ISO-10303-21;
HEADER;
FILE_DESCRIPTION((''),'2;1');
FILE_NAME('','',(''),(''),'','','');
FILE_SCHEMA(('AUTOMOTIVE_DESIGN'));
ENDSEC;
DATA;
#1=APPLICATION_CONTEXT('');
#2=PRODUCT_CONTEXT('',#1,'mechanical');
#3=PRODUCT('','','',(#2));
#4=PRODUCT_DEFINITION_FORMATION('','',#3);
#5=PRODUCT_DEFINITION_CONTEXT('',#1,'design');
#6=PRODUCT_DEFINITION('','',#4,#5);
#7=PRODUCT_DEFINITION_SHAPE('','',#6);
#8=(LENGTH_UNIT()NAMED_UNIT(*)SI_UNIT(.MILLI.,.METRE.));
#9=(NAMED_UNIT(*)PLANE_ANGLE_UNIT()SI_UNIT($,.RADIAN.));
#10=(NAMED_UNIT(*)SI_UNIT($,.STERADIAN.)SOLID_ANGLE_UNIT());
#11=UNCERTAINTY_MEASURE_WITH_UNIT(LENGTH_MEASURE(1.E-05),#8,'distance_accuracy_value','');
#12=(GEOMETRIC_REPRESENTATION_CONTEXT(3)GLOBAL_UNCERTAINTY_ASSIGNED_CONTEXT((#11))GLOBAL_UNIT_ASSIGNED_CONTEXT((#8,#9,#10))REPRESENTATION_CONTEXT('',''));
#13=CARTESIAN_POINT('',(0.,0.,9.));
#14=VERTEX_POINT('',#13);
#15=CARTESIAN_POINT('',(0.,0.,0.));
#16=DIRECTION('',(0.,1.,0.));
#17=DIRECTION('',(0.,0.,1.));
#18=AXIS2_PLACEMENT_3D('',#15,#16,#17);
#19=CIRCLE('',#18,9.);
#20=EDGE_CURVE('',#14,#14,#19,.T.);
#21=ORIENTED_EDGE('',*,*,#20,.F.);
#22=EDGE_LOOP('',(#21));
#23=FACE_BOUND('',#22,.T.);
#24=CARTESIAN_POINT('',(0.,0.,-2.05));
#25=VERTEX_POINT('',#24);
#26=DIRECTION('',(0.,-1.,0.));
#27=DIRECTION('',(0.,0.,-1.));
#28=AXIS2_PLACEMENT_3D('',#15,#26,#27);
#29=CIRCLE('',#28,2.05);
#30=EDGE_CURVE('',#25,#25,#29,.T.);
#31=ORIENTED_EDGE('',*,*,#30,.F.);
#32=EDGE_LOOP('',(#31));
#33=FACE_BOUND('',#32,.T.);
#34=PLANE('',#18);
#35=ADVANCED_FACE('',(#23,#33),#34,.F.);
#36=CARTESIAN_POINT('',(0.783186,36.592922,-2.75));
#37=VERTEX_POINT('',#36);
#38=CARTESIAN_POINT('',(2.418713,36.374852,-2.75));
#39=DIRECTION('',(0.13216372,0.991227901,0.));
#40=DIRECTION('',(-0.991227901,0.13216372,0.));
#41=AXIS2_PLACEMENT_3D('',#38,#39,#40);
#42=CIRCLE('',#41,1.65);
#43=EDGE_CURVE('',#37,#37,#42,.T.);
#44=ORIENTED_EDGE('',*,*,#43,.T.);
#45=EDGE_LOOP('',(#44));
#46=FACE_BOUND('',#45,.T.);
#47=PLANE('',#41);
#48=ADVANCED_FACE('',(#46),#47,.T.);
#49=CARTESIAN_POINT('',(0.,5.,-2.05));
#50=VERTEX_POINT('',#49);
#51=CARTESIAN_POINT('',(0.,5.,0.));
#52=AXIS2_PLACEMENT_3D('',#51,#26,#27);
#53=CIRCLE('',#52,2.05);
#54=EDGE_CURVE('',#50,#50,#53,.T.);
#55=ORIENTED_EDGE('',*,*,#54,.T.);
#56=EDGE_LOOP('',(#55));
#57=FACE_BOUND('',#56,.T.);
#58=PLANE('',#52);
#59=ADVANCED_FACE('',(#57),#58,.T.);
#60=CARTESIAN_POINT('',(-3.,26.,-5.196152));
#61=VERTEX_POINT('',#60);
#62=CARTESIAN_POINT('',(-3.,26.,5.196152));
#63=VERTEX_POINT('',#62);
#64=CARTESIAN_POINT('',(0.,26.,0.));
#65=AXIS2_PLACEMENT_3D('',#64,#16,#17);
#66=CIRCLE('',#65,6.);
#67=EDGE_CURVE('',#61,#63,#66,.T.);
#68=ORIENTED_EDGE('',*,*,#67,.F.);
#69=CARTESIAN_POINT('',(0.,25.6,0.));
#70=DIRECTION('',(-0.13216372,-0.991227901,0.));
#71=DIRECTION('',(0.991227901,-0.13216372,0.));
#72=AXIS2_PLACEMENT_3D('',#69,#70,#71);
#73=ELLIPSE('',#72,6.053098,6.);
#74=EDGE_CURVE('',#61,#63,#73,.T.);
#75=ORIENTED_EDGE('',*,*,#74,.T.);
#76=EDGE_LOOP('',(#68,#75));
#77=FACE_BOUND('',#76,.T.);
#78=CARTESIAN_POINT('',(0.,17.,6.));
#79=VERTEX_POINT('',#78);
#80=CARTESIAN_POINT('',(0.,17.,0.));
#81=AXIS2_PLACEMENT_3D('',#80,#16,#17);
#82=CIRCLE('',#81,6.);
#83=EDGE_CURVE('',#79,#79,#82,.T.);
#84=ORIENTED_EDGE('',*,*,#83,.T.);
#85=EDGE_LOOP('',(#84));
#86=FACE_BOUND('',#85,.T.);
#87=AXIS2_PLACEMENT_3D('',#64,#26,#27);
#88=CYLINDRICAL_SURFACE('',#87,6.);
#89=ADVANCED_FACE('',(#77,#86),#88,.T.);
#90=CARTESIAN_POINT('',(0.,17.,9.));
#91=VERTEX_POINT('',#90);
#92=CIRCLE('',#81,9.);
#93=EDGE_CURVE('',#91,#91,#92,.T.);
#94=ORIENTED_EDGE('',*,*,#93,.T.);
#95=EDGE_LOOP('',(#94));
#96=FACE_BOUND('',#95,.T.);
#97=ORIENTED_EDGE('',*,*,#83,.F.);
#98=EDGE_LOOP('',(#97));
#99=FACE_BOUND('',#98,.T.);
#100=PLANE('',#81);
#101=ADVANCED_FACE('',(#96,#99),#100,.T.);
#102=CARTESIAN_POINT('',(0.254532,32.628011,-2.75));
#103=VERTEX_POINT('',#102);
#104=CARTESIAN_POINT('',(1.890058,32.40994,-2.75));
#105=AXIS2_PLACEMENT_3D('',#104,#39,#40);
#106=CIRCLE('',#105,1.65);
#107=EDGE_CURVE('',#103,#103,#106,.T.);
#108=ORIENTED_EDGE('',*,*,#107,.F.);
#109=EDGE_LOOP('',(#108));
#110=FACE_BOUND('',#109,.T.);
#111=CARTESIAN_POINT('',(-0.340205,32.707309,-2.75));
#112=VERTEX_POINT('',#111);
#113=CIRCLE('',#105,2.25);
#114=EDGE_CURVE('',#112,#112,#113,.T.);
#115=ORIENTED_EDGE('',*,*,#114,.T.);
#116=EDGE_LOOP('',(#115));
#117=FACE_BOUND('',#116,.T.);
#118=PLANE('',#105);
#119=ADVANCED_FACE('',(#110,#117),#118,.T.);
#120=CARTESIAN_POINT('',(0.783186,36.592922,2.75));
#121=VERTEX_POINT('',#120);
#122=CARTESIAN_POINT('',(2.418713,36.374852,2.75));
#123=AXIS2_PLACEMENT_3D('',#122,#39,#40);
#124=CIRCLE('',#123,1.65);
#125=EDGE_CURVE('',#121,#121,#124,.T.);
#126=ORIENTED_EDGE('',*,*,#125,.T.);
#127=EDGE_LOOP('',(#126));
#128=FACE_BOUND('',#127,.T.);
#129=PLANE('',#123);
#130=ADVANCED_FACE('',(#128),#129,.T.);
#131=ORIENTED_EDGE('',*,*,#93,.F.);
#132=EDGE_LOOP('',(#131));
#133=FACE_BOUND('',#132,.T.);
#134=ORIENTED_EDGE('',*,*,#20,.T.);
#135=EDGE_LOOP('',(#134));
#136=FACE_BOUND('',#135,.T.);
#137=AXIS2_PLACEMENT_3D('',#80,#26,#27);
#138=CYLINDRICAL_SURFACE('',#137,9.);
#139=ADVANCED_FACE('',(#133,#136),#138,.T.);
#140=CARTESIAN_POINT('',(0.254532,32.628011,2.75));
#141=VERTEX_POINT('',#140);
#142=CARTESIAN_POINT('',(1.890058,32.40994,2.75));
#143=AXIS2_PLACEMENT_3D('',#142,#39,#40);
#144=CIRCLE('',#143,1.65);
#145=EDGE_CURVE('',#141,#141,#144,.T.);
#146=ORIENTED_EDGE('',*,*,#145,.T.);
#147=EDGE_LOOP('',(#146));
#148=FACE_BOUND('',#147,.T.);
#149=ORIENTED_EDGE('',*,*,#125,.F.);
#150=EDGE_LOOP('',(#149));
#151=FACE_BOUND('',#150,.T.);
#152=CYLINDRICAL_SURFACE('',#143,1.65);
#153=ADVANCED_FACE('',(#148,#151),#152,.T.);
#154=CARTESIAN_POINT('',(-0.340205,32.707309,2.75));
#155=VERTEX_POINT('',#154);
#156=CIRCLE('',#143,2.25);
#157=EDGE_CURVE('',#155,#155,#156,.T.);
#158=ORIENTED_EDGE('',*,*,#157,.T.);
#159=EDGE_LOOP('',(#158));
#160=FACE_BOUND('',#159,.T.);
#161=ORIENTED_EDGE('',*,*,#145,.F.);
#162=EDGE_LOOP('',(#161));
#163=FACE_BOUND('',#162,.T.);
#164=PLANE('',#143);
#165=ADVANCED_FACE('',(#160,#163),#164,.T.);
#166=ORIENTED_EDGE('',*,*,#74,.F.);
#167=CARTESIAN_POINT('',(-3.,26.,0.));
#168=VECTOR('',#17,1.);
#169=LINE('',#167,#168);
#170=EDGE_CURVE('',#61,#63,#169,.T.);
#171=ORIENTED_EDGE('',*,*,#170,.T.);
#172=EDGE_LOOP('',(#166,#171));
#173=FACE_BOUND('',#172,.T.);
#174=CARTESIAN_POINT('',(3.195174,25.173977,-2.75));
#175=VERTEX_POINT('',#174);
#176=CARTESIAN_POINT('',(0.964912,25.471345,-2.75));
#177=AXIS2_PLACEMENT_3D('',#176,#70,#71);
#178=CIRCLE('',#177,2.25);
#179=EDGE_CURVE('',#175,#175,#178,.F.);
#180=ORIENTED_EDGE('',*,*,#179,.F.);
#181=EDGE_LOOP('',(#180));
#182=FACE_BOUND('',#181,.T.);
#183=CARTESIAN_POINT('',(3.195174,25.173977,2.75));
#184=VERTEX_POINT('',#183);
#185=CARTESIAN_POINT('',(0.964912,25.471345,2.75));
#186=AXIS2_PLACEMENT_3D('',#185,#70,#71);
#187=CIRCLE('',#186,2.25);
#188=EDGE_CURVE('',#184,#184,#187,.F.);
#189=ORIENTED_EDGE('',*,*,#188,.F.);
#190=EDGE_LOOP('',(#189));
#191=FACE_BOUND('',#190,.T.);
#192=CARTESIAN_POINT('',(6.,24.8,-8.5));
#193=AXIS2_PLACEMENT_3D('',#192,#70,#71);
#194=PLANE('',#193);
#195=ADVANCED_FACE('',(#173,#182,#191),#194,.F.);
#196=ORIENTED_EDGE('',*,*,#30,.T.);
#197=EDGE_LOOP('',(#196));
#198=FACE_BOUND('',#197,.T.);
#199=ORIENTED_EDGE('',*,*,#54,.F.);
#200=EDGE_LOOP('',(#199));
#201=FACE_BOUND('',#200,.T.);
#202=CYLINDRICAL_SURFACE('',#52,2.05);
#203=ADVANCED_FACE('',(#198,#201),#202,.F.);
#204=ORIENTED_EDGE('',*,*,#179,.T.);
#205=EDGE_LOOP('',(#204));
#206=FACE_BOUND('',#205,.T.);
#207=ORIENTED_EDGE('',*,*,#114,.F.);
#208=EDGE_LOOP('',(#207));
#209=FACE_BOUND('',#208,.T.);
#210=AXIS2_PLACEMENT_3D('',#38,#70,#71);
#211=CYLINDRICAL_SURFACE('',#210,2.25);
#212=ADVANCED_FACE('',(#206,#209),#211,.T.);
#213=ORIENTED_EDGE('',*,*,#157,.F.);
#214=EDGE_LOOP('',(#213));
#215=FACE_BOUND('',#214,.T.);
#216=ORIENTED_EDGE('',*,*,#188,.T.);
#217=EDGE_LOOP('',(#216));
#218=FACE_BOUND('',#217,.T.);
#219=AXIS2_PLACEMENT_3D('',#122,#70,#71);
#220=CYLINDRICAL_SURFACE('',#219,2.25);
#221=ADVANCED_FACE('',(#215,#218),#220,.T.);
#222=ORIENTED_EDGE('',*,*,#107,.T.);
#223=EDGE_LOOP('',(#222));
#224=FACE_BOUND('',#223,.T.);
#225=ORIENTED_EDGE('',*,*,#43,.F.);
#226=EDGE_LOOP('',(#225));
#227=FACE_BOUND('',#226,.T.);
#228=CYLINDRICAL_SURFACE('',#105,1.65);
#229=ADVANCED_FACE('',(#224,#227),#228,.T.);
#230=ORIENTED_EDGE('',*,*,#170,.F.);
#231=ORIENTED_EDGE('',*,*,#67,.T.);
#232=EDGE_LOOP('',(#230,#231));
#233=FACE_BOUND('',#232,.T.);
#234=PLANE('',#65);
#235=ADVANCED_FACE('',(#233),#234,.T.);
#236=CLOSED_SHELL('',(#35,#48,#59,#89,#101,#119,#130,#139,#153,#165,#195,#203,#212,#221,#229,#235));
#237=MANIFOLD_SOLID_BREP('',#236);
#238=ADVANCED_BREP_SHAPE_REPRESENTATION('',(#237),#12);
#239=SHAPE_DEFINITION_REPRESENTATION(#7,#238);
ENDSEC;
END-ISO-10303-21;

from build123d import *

# Parameters (mm, degrees)
SKETCH1_R           = 9
BOSS_EXTRUDE1_DEPTH = 17
SKETCH2_R           = 6
BOSS_EXTRUDE2_DEPTH = 9
CUT_EXTRUDE1_DEPTH  = 8.5
SKETCH4_R           = 2.25
BOSS_EXTRUDE3_DEPTH = 11
SKETCH5_R           = 2.25
SKETCH5_R_2         = 1.65
CUT_EXTRUDE2_DEPTH  = 4
SKETCH6_R           = 2.05
CUT_EXTRUDE3_DEPTH  = 5


with BuildPart() as part:
    # Sketch1 → Boss-Extrude1 (new body)
    with BuildSketch(Plane(origin=(0, 0, 0), x_dir=(1, 0, 0), z_dir=(0, 1, 0))):
        Circle(SKETCH1_R)
    extrude(amount=BOSS_EXTRUDE1_DEPTH)

    # Sketch2 → Boss-Extrude2 (add)
    with BuildSketch(Plane(origin=(0, 17, 0), x_dir=(1, 0, 0), z_dir=(0, 1, 0))):
        Circle(SKETCH2_R)
    extrude(amount=BOSS_EXTRUDE2_DEPTH)

    # Sketch3 → Cut-Extrude1 (cut, symmetric)
    with BuildSketch(Plane.XY):
        Polygon((-3, 26), (6, 26), (6, 24.8), align=None)
    extrude(amount=CUT_EXTRUDE1_DEPTH, both=True, mode=Mode.SUBTRACT)

    # Sketch4 → Boss-Extrude3 (add)
    with BuildSketch(Plane(origin=(3.35371179, 25.152838428, 0), x_dir=(0.991227901, -0.13216372, 0), z_dir=(0.13216372, 0.991227901, 0))):
        with Locations((-2.409940424, 2.75)):
            Circle(SKETCH4_R)
        with Locations((-2.409940424, -2.75)):
            Circle(SKETCH4_R)
    extrude(amount=BOSS_EXTRUDE3_DEPTH)

    # Sketch5 → Cut-Extrude2 (cut)
    with BuildSketch(Plane(origin=(4.807512711, 36.056345335, 0), x_dir=(0.991227901, -0.13216372, 0), z_dir=(0.13216372, 0.991227901, 0))):
        with Locations((-2.409940424, 2.75)):
            Circle(SKETCH5_R)
        with Locations((-2.409940424, 2.75)):
            Circle(SKETCH5_R_2, mode=Mode.SUBTRACT)
        with Locations((-2.409940424, -2.75)):
            Circle(SKETCH5_R)
        with Locations((-2.409940424, -2.75)):
            Circle(SKETCH5_R_2, mode=Mode.SUBTRACT)
    extrude(amount=-CUT_EXTRUDE2_DEPTH, mode=Mode.SUBTRACT)

    # Sketch6 → Cut-Extrude3 (cut)
    with BuildSketch(Plane.XZ):
        Circle(SKETCH6_R)
    extrude(amount=-CUT_EXTRUDE3_DEPTH, mode=Mode.SUBTRACT)


solid = part.part
